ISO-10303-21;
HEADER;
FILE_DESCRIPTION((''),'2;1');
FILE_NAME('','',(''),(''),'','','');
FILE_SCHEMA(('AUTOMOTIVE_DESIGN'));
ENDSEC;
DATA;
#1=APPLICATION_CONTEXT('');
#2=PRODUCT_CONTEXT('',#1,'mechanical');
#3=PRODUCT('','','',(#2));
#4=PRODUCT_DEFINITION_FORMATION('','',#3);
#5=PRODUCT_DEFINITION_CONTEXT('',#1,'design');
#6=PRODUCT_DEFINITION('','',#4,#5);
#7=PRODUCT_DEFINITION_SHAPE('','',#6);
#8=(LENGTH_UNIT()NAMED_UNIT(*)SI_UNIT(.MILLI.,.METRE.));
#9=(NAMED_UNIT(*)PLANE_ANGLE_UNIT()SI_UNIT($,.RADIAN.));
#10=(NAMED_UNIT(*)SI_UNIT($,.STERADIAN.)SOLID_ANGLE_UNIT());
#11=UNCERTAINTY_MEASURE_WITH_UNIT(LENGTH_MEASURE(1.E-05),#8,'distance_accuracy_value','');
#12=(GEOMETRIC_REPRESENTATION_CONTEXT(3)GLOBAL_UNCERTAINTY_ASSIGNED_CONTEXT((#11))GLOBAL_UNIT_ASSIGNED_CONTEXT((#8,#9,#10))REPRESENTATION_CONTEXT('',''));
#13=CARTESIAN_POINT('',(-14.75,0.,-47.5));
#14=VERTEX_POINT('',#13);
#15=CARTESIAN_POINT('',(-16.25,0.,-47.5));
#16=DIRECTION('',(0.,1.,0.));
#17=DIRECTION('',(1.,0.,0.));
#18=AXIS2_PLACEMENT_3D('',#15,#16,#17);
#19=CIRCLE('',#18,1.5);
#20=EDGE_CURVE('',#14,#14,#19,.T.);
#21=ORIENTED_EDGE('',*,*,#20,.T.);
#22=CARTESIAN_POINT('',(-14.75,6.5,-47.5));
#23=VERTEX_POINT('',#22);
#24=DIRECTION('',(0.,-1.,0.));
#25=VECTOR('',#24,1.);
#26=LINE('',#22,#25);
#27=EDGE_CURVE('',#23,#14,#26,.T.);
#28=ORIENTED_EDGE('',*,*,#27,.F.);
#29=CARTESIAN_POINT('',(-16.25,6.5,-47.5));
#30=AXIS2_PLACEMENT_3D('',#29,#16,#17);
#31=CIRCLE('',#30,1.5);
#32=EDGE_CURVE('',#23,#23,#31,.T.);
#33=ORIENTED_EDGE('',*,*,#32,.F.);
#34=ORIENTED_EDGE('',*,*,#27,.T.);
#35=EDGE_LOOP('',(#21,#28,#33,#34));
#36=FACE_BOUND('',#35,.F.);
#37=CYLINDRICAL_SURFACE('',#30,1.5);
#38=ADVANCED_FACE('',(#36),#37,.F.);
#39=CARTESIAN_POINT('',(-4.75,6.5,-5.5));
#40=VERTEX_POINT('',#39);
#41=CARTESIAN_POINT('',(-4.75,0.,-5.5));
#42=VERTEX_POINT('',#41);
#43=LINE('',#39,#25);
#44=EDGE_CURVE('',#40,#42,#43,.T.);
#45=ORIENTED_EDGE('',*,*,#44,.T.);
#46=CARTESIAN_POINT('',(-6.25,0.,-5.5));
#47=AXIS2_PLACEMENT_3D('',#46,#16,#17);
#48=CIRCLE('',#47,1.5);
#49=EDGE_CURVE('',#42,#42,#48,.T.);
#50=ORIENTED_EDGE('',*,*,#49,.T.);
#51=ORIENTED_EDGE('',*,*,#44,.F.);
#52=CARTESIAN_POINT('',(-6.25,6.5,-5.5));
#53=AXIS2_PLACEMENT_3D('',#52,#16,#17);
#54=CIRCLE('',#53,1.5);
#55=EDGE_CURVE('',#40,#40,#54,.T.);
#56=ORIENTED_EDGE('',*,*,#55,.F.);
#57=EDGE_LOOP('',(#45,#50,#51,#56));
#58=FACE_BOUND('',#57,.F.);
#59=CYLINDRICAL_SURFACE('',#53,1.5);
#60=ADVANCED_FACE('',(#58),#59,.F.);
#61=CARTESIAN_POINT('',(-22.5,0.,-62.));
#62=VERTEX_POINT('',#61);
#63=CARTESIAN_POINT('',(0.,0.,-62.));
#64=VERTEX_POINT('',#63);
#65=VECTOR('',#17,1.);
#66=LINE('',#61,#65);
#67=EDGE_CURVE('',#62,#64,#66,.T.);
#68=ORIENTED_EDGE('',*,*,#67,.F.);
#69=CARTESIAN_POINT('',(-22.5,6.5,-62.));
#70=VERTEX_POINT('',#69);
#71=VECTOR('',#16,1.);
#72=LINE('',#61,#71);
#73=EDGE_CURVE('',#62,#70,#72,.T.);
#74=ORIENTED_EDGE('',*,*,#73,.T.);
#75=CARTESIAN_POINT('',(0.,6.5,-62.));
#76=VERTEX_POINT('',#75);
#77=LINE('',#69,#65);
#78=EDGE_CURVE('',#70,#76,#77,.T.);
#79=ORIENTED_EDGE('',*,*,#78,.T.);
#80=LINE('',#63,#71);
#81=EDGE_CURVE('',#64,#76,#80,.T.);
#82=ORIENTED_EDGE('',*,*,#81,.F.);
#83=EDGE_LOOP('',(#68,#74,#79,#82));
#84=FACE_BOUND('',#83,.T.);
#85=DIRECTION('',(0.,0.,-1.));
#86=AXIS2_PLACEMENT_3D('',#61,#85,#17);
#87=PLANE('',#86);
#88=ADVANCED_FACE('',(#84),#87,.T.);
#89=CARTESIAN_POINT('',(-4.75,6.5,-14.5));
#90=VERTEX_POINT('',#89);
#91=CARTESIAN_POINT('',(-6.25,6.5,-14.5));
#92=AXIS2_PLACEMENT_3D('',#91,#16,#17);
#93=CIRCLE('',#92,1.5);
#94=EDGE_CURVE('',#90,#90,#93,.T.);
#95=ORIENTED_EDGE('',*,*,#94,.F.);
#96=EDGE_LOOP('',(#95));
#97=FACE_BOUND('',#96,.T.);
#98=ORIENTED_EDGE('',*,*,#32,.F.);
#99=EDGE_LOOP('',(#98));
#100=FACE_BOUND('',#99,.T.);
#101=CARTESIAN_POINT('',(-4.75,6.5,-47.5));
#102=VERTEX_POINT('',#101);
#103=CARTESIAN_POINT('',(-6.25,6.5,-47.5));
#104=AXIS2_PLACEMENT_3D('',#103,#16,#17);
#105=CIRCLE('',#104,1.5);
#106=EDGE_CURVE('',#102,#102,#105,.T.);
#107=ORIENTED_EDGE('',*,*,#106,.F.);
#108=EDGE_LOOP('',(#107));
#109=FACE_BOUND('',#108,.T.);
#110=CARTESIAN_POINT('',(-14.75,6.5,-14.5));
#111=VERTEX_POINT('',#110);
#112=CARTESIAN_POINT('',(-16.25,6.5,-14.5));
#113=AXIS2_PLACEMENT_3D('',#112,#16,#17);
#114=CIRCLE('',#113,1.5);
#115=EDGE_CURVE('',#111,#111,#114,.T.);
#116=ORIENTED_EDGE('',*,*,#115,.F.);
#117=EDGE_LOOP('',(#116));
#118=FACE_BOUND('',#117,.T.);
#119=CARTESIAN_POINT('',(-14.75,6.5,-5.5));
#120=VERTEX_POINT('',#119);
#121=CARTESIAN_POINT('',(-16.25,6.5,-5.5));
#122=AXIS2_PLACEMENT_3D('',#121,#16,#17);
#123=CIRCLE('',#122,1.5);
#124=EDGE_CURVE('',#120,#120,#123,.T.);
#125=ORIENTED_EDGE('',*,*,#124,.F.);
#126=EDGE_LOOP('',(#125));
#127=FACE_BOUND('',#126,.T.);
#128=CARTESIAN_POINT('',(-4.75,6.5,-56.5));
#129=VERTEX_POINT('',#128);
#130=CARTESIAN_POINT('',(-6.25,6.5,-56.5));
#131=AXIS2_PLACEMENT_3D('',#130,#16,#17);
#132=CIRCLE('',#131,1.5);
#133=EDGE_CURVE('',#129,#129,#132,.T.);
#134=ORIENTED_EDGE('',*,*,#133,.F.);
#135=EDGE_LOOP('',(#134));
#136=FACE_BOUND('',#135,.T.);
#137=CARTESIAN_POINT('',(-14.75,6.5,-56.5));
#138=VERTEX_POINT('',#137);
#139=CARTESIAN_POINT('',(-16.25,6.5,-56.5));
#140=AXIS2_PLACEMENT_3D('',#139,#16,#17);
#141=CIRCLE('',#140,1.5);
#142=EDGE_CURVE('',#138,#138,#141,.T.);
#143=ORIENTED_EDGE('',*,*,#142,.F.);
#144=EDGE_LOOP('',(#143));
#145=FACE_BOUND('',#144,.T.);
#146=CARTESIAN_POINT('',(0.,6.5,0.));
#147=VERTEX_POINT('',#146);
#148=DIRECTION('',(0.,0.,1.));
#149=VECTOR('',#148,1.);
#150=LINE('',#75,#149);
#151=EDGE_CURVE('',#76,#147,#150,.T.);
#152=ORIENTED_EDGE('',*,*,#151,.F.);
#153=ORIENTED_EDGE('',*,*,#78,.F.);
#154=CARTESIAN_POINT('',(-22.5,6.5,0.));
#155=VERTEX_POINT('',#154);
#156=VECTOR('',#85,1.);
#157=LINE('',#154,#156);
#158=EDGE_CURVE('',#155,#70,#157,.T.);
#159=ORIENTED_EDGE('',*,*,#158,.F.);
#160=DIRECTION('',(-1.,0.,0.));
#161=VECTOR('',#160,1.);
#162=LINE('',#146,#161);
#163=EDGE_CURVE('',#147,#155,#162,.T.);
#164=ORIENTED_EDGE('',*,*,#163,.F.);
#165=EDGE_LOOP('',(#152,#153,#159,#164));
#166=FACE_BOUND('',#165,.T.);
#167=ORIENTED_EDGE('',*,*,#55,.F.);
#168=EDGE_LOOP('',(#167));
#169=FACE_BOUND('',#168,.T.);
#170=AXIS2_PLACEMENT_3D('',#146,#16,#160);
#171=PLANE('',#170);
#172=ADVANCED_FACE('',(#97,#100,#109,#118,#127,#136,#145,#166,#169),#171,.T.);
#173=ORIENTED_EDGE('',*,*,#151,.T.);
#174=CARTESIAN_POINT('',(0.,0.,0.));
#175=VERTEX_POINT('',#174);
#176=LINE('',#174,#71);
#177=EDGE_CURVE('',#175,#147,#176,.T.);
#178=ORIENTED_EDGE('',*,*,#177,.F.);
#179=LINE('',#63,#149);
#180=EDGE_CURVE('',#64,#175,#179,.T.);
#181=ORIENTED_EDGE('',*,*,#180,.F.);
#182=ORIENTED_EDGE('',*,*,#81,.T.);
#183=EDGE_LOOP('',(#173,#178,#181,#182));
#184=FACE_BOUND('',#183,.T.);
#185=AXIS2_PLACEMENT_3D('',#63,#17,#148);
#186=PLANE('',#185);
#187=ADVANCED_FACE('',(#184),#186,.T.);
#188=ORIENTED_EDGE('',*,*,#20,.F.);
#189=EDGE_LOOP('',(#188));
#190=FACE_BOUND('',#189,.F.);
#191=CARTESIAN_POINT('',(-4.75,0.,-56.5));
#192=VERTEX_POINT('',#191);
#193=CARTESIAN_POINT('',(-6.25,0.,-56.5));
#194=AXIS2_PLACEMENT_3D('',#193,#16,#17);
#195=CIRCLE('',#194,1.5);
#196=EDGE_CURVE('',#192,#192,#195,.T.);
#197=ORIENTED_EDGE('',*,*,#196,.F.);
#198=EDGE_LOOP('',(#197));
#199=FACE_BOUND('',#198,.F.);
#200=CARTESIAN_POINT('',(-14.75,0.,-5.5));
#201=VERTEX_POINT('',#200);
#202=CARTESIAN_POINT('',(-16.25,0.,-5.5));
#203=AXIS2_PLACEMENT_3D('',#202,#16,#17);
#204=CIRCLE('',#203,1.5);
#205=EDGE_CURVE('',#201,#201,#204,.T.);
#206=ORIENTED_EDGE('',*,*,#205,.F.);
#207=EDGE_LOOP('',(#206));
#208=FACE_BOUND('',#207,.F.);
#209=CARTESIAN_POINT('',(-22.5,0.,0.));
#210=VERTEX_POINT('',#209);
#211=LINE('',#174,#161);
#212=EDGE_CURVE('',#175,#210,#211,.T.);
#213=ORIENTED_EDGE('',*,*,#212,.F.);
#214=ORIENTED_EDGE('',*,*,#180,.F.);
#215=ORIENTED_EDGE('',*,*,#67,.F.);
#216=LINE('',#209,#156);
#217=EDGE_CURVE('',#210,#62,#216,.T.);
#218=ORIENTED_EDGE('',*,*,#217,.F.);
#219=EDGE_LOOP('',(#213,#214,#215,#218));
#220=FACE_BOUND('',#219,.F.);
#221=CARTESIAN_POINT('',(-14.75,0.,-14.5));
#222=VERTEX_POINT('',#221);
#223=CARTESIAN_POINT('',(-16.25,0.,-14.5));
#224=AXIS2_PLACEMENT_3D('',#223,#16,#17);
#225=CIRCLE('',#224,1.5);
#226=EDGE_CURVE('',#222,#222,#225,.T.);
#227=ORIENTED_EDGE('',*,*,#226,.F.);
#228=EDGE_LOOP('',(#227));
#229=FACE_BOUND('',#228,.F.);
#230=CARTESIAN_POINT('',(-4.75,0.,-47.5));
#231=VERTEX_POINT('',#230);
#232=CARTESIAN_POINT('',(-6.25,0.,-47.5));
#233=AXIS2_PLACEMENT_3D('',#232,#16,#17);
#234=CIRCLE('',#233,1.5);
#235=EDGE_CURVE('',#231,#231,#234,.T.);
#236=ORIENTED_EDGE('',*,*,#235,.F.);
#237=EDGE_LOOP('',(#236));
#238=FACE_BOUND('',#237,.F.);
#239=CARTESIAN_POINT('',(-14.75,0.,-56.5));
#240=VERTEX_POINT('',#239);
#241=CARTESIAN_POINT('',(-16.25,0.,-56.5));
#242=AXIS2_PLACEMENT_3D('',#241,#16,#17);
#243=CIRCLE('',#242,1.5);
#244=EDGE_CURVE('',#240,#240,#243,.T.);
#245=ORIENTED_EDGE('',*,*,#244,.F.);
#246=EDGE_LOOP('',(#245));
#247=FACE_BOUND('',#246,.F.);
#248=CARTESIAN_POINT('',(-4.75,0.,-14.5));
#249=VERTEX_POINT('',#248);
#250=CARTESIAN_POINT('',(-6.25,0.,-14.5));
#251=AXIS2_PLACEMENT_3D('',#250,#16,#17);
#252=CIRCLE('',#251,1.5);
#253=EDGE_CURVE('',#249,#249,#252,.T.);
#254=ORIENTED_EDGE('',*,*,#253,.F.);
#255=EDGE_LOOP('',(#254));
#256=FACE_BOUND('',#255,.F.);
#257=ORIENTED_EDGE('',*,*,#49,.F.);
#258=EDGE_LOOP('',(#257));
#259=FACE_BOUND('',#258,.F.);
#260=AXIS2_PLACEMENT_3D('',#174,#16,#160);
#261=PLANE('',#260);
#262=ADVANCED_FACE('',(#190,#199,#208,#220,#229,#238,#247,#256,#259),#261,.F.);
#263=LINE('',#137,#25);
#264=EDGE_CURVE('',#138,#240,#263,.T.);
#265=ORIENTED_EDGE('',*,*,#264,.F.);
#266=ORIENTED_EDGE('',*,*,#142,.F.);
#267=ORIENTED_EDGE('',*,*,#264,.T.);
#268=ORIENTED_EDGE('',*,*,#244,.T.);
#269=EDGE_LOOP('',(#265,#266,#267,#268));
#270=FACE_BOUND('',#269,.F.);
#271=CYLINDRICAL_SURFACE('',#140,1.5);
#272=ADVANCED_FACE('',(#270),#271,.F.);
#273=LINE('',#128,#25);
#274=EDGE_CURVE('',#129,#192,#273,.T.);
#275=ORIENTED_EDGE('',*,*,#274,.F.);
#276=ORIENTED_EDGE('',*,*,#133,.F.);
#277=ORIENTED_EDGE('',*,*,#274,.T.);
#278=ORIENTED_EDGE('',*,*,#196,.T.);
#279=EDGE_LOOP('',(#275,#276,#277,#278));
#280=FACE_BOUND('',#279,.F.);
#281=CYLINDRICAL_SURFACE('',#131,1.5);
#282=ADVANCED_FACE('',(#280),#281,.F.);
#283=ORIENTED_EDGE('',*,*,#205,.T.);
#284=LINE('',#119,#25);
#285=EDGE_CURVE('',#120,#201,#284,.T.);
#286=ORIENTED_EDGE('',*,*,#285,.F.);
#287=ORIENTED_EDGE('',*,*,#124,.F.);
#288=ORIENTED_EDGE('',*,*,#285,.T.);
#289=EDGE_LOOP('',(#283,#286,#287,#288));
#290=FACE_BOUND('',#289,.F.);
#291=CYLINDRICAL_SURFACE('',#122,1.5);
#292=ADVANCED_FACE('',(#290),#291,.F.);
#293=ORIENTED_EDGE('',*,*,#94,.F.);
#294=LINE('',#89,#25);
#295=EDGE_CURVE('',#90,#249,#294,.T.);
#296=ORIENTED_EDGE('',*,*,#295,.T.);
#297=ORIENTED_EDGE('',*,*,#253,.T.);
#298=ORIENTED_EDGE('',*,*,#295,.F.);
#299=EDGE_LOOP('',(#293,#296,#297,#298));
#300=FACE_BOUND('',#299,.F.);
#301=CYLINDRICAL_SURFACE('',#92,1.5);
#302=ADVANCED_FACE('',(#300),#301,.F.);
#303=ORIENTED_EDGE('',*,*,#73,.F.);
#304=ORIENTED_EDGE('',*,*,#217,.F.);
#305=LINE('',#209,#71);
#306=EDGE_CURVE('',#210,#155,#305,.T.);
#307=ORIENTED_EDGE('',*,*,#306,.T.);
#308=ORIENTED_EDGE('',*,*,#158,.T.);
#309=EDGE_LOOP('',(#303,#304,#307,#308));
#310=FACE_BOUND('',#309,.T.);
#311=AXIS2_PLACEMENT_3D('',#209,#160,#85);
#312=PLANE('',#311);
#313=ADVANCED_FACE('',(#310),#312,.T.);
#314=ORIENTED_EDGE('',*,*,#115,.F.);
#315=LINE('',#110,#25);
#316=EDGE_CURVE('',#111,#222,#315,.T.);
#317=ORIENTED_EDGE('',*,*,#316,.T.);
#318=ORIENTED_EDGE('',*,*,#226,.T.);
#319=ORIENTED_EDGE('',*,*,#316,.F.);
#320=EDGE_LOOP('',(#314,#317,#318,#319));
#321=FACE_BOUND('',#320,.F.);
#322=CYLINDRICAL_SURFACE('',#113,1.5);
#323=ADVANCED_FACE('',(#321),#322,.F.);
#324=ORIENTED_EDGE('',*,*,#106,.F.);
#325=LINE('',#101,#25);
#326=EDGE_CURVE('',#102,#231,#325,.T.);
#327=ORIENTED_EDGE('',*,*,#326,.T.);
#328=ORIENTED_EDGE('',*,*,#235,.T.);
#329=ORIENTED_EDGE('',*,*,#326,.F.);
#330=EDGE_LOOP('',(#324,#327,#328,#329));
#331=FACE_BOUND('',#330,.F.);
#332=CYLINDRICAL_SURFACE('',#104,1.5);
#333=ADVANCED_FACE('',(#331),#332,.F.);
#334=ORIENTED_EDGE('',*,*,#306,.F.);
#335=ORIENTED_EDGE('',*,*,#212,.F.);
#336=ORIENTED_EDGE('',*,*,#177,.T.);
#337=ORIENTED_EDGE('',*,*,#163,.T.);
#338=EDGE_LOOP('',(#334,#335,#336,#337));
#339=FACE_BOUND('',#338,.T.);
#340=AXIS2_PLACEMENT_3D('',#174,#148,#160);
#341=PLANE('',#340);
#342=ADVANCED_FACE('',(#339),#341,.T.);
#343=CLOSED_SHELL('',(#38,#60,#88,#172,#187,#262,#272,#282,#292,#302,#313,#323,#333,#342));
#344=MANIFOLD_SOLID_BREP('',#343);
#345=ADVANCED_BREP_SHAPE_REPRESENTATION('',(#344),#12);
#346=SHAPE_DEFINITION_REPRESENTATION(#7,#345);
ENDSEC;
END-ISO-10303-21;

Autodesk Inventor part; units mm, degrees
ref_plane "YZ Plane" through (0, 0, 0) normal (1, 0, 0) x (0, 1, 0)
ref_plane "XZ Plane" through (0, 0, 0) normal (0, 1, 0) x (-1, 0, 0)
ref_plane "XY Plane" through (0, 0, 0) normal (0, 0, 1) x (1, 0, 0)
sketch "Sketch1" plane through (0, 0, 0) normal (0, 1, 0) x (-1, 0, 0)
  line L0 (0, 0) -> (22.5, 0)
  line L1 (22.5, 0) -> (22.5, -62)
  line L2 (22.5, -62) -> (0, -62)
  line L3 (0, -62) -> (0, 0)
  dimension "d0" = 22.5
  dimension "d1" = 62
extrude "Extrusion1" add sketch "Sketch1" along normal blind 6.5
sketch "Sketch2" plane through (0, 6.5, 0) normal (0, 1, 0) x (1, 0, 0)
  line L0 (0, 62) -> (-22.5, 62) projected
  line L1 (-22.5, 62) -> (-22.5, 0) projected
  circle A0 centre (-16.25, 56.5) radius 1.5
  circle A1 centre (-16.25, 47.5) radius 1.5
  circle A2 centre (-6.25, 56.5) radius 1.5
  circle A3 centre (-6.25, 47.5) radius 1.5
  circle A4 centre (-16.25, 14.5) radius 1.5
  circle A5 centre (-16.25, 5.5) radius 1.5
  circle A6 centre (-6.25, 14.5) radius 1.5
  circle A7 centre (-6.25, 5.5) radius 1.5
  line L2 (-16.25, 56.5) -> (-6.25, 56.5) construction
  line L3 (-16.25, 56.5) -> (-6.25, 47.5) construction
  line L4 (-16.25, 47.5) -> (-6.25, 56.5) construction
  line L5 (-16.25, 14.5) -> (-6.25, 5.5) construction
  line L6 (-6.25, 14.5) -> (-16.25, 5.5) construction
  line L7 (-11.25, 52) -> (-11.25, 10) construction
  point P0 (-11.25, 56.5)
  point P1 (-11.25, 62)
  point P2 (-11.25, 31)
  point P3 (-22.5, 31)
  dimension "d5" = 3
  dimension "d6" = 9
  dimension "d7" = 10
  dimension "d8" = 9
  dimension "d9" = 42
extrude "Extrusion2" cut sketch "Sketch2" against normal through all
equation "\"d8\" = d6"
properties part number "x_iddler_right_cap" material "Plywood, Finish"
